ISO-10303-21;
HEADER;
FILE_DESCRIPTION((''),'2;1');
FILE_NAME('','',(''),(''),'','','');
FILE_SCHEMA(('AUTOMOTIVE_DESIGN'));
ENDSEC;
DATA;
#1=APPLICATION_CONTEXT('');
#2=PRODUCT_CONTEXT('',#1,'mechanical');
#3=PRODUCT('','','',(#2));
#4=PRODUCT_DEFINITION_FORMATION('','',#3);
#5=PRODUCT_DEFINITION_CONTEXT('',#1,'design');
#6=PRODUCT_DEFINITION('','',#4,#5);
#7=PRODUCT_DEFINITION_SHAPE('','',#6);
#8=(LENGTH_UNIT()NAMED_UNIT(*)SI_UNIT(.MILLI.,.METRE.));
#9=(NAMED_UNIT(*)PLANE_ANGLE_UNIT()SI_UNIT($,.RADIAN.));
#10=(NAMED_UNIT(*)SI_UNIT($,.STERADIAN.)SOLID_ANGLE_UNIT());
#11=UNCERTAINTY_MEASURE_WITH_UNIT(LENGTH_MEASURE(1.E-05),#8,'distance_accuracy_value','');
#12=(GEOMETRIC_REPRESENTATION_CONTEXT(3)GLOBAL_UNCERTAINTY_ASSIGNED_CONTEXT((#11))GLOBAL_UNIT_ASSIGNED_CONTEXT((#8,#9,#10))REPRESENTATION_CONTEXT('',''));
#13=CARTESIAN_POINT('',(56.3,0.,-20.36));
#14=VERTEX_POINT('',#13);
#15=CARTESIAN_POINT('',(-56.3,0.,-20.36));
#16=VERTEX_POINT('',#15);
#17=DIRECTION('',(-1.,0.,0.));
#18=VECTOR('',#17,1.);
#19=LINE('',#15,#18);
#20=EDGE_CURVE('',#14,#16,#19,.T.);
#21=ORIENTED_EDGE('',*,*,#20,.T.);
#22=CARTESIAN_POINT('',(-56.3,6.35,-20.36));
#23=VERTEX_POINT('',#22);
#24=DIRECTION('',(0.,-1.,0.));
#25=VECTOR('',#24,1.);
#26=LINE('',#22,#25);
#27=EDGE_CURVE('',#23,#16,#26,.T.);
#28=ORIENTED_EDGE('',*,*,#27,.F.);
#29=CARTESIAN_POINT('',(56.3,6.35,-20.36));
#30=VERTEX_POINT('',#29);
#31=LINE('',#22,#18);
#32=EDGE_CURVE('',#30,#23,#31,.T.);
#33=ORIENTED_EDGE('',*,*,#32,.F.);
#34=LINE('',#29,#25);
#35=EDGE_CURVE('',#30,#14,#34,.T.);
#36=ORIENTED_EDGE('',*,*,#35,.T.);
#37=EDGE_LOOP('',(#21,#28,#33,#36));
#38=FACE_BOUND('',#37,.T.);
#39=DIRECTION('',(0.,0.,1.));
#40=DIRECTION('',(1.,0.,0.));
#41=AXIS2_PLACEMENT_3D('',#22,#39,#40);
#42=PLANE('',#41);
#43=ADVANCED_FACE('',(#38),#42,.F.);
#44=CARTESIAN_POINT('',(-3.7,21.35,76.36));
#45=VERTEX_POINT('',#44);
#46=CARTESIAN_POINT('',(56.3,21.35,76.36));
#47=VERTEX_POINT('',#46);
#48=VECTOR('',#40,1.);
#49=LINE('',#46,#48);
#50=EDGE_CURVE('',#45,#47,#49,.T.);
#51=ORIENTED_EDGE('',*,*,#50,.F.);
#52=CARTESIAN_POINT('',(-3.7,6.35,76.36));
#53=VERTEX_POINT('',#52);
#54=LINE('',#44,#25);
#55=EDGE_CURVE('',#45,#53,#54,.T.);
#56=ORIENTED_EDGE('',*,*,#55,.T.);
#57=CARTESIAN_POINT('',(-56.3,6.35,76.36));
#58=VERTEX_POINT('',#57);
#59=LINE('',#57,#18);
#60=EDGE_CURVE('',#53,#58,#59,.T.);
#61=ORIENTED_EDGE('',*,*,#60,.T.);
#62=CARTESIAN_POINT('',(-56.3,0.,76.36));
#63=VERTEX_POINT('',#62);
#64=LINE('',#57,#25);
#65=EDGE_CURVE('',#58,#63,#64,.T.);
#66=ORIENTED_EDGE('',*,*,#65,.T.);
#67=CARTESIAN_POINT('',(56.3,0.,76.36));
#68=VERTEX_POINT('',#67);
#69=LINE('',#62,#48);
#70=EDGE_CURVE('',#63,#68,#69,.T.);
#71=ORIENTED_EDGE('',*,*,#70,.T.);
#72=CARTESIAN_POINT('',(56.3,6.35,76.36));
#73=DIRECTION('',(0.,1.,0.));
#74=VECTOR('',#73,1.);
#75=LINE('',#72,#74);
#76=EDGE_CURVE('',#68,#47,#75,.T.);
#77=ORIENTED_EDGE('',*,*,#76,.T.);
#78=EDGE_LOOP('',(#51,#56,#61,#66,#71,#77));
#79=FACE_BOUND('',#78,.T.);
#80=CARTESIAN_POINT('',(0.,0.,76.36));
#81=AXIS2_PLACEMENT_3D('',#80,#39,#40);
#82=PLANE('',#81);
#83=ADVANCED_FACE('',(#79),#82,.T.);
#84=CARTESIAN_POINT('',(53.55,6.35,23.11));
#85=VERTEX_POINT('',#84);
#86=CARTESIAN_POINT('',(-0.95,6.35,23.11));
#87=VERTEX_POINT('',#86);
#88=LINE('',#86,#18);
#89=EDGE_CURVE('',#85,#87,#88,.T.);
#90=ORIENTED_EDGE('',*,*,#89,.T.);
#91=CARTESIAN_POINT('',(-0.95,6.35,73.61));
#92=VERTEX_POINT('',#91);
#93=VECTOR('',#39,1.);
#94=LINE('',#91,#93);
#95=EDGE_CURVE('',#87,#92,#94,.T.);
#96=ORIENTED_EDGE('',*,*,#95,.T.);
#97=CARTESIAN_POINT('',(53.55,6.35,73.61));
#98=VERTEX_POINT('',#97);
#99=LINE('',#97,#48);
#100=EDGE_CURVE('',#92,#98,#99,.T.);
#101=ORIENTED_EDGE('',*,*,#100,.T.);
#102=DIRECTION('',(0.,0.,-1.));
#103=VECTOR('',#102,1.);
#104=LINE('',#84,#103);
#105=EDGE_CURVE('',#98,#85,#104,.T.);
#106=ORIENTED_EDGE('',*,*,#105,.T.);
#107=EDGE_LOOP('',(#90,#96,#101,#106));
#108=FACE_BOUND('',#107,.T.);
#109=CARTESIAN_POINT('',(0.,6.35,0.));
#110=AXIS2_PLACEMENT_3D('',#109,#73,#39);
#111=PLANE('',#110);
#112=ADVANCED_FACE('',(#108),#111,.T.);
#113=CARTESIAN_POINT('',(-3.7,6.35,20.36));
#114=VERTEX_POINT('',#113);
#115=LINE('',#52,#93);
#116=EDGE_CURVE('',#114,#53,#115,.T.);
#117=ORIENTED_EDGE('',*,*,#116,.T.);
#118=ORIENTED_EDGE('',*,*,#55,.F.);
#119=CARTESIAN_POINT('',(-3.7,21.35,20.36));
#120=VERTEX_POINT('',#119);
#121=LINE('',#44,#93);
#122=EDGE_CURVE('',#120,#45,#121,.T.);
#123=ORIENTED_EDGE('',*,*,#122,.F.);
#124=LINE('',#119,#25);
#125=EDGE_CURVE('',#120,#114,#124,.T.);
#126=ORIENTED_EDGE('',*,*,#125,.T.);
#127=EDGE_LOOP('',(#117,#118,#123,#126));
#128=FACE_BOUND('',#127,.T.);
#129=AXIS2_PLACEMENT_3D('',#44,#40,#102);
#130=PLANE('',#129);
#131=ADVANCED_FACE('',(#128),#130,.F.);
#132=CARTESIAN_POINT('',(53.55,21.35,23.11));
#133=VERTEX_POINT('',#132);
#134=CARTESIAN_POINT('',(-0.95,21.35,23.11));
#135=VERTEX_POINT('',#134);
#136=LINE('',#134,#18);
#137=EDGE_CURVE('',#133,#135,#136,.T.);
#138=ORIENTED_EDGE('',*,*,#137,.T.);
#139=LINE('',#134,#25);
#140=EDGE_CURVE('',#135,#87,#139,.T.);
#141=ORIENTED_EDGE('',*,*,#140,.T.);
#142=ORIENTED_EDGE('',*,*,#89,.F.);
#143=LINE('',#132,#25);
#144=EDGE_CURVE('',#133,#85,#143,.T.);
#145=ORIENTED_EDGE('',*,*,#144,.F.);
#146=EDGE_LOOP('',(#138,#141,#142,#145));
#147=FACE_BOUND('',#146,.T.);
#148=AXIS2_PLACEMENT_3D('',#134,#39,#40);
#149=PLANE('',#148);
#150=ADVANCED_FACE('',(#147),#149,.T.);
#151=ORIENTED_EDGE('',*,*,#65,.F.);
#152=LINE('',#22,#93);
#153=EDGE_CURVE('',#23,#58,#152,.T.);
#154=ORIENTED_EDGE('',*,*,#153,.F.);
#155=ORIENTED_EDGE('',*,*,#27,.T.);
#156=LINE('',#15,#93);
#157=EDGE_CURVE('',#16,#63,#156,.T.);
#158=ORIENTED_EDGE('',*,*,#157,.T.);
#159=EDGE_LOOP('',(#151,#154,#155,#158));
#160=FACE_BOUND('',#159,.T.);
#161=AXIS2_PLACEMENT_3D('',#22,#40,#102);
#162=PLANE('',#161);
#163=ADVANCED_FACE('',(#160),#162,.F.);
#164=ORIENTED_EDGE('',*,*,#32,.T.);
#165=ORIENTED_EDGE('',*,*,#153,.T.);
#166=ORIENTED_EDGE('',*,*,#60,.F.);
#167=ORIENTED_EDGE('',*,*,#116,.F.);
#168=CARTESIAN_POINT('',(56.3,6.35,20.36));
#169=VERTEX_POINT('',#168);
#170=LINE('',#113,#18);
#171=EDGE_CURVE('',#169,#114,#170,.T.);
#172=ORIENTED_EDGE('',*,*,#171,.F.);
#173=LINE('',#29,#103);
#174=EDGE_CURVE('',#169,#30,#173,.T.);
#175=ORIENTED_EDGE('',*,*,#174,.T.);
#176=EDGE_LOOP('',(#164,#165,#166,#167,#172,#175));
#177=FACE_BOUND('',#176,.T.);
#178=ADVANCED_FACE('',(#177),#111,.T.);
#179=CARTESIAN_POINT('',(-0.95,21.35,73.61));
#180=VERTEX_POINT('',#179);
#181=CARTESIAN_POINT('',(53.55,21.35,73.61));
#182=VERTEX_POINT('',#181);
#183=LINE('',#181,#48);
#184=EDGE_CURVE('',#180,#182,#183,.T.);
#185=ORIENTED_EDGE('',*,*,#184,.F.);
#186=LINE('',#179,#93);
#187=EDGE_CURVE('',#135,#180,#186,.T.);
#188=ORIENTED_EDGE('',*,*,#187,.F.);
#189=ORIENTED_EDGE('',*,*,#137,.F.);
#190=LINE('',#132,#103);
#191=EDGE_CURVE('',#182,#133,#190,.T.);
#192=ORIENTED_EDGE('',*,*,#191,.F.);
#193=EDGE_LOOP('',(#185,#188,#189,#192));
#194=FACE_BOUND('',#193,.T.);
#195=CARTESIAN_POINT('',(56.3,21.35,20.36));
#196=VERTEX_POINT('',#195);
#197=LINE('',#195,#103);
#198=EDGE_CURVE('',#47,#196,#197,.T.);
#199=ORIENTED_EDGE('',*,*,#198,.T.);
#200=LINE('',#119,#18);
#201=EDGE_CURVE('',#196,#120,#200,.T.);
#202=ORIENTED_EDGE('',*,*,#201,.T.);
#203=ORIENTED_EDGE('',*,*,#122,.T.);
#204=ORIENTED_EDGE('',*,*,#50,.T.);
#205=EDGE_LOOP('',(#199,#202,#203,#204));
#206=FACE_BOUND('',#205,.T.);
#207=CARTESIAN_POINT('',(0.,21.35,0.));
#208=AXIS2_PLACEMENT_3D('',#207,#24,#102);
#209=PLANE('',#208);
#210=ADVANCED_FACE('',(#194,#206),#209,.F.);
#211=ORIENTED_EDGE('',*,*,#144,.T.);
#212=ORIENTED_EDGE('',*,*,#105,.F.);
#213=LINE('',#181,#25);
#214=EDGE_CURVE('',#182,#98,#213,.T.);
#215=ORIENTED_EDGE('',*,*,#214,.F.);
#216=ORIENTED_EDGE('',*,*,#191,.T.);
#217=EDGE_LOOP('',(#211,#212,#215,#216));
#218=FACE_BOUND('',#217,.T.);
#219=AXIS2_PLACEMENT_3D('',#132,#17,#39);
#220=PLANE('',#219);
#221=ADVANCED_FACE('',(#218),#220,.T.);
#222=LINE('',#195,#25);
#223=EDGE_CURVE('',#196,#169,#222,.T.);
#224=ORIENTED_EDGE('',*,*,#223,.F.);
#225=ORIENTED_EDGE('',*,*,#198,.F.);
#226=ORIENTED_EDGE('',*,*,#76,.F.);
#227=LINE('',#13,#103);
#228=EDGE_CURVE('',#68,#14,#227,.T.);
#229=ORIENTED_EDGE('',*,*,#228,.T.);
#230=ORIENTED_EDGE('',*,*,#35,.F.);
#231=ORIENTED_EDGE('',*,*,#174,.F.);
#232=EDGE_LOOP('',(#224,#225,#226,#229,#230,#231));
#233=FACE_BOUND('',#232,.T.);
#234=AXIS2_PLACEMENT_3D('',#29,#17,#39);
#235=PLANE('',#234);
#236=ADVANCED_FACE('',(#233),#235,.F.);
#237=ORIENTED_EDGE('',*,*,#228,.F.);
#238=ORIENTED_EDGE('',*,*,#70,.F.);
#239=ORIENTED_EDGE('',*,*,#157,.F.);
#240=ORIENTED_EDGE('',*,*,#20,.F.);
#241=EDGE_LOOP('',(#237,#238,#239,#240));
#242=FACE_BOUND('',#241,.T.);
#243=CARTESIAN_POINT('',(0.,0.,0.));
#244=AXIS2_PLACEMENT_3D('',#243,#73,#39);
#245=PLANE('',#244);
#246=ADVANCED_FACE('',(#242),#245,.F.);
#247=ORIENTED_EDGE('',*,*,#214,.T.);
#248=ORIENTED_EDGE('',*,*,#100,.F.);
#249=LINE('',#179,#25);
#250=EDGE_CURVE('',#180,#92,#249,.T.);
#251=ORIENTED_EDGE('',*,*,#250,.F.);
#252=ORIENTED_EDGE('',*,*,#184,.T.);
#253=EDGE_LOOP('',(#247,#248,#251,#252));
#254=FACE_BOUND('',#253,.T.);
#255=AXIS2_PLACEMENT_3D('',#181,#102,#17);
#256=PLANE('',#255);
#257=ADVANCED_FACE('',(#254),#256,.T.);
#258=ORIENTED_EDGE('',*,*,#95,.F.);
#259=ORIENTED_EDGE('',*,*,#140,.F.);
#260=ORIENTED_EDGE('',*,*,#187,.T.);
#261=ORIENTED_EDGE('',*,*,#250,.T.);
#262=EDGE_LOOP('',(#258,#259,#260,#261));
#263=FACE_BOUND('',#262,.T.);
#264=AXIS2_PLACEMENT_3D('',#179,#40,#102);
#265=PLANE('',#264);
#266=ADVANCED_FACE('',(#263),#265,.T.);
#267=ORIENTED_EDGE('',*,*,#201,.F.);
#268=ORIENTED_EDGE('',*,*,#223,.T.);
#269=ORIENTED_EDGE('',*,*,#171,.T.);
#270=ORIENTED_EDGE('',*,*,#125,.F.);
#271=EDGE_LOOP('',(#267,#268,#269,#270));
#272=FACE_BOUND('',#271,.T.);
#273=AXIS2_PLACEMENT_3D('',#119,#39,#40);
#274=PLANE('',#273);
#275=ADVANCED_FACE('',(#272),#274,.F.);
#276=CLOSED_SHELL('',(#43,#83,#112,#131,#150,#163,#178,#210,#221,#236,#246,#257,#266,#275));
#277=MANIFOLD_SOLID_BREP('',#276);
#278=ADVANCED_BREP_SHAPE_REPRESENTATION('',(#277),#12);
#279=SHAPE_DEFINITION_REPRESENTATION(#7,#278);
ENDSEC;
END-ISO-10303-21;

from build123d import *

# Parameters (mm, degrees)
SKETCH1_W           = 112.6
SKETCH1_H           = 40.72
BOSS_EXTRUDE1_DEPTH = 6.35
SKETCH2_W           = 112.6
SKETCH2_H           = 6.35
BOSS_EXTRUDE2_DEPTH = 56
SKETCH3_W           = 60
SKETCH3_H           = 56
SKETCH3_W_2         = 54.5
SKETCH3_H_2         = 50.5
BOSS_EXTRUDE3_DEPTH = 15


with BuildPart() as part:
    # Sketch1 → Boss-Extrude1 (new body)
    with BuildSketch(Plane(origin=(0, 0, 0), x_dir=(1, 0, 0), z_dir=(0, 1, 0))):
        Rectangle(SKETCH1_W, SKETCH1_H)
    extrude(amount=BOSS_EXTRUDE1_DEPTH)

    # Sketch2 → Boss-Extrude2 (add)
    with BuildSketch(Plane.XY.offset(20.36)):
        with Locations((0, 3.175)):
            Rectangle(SKETCH2_W, SKETCH2_H)
    extrude(amount=BOSS_EXTRUDE2_DEPTH)

    # Sketch3 → Boss-Extrude3 (add)
    with BuildSketch(Plane(origin=(0, 6.35, 0), x_dir=(1, 0, 0), z_dir=(0, 1, 0))):
        with Locations((26.3, -48.36)):
            Rectangle(SKETCH3_W, SKETCH3_H)
        with Locations((26.3, -48.36)):
            Rectangle(SKETCH3_W_2, SKETCH3_H_2, mode=Mode.SUBTRACT)
    extrude(amount=BOSS_EXTRUDE3_DEPTH)


solid = part.part
